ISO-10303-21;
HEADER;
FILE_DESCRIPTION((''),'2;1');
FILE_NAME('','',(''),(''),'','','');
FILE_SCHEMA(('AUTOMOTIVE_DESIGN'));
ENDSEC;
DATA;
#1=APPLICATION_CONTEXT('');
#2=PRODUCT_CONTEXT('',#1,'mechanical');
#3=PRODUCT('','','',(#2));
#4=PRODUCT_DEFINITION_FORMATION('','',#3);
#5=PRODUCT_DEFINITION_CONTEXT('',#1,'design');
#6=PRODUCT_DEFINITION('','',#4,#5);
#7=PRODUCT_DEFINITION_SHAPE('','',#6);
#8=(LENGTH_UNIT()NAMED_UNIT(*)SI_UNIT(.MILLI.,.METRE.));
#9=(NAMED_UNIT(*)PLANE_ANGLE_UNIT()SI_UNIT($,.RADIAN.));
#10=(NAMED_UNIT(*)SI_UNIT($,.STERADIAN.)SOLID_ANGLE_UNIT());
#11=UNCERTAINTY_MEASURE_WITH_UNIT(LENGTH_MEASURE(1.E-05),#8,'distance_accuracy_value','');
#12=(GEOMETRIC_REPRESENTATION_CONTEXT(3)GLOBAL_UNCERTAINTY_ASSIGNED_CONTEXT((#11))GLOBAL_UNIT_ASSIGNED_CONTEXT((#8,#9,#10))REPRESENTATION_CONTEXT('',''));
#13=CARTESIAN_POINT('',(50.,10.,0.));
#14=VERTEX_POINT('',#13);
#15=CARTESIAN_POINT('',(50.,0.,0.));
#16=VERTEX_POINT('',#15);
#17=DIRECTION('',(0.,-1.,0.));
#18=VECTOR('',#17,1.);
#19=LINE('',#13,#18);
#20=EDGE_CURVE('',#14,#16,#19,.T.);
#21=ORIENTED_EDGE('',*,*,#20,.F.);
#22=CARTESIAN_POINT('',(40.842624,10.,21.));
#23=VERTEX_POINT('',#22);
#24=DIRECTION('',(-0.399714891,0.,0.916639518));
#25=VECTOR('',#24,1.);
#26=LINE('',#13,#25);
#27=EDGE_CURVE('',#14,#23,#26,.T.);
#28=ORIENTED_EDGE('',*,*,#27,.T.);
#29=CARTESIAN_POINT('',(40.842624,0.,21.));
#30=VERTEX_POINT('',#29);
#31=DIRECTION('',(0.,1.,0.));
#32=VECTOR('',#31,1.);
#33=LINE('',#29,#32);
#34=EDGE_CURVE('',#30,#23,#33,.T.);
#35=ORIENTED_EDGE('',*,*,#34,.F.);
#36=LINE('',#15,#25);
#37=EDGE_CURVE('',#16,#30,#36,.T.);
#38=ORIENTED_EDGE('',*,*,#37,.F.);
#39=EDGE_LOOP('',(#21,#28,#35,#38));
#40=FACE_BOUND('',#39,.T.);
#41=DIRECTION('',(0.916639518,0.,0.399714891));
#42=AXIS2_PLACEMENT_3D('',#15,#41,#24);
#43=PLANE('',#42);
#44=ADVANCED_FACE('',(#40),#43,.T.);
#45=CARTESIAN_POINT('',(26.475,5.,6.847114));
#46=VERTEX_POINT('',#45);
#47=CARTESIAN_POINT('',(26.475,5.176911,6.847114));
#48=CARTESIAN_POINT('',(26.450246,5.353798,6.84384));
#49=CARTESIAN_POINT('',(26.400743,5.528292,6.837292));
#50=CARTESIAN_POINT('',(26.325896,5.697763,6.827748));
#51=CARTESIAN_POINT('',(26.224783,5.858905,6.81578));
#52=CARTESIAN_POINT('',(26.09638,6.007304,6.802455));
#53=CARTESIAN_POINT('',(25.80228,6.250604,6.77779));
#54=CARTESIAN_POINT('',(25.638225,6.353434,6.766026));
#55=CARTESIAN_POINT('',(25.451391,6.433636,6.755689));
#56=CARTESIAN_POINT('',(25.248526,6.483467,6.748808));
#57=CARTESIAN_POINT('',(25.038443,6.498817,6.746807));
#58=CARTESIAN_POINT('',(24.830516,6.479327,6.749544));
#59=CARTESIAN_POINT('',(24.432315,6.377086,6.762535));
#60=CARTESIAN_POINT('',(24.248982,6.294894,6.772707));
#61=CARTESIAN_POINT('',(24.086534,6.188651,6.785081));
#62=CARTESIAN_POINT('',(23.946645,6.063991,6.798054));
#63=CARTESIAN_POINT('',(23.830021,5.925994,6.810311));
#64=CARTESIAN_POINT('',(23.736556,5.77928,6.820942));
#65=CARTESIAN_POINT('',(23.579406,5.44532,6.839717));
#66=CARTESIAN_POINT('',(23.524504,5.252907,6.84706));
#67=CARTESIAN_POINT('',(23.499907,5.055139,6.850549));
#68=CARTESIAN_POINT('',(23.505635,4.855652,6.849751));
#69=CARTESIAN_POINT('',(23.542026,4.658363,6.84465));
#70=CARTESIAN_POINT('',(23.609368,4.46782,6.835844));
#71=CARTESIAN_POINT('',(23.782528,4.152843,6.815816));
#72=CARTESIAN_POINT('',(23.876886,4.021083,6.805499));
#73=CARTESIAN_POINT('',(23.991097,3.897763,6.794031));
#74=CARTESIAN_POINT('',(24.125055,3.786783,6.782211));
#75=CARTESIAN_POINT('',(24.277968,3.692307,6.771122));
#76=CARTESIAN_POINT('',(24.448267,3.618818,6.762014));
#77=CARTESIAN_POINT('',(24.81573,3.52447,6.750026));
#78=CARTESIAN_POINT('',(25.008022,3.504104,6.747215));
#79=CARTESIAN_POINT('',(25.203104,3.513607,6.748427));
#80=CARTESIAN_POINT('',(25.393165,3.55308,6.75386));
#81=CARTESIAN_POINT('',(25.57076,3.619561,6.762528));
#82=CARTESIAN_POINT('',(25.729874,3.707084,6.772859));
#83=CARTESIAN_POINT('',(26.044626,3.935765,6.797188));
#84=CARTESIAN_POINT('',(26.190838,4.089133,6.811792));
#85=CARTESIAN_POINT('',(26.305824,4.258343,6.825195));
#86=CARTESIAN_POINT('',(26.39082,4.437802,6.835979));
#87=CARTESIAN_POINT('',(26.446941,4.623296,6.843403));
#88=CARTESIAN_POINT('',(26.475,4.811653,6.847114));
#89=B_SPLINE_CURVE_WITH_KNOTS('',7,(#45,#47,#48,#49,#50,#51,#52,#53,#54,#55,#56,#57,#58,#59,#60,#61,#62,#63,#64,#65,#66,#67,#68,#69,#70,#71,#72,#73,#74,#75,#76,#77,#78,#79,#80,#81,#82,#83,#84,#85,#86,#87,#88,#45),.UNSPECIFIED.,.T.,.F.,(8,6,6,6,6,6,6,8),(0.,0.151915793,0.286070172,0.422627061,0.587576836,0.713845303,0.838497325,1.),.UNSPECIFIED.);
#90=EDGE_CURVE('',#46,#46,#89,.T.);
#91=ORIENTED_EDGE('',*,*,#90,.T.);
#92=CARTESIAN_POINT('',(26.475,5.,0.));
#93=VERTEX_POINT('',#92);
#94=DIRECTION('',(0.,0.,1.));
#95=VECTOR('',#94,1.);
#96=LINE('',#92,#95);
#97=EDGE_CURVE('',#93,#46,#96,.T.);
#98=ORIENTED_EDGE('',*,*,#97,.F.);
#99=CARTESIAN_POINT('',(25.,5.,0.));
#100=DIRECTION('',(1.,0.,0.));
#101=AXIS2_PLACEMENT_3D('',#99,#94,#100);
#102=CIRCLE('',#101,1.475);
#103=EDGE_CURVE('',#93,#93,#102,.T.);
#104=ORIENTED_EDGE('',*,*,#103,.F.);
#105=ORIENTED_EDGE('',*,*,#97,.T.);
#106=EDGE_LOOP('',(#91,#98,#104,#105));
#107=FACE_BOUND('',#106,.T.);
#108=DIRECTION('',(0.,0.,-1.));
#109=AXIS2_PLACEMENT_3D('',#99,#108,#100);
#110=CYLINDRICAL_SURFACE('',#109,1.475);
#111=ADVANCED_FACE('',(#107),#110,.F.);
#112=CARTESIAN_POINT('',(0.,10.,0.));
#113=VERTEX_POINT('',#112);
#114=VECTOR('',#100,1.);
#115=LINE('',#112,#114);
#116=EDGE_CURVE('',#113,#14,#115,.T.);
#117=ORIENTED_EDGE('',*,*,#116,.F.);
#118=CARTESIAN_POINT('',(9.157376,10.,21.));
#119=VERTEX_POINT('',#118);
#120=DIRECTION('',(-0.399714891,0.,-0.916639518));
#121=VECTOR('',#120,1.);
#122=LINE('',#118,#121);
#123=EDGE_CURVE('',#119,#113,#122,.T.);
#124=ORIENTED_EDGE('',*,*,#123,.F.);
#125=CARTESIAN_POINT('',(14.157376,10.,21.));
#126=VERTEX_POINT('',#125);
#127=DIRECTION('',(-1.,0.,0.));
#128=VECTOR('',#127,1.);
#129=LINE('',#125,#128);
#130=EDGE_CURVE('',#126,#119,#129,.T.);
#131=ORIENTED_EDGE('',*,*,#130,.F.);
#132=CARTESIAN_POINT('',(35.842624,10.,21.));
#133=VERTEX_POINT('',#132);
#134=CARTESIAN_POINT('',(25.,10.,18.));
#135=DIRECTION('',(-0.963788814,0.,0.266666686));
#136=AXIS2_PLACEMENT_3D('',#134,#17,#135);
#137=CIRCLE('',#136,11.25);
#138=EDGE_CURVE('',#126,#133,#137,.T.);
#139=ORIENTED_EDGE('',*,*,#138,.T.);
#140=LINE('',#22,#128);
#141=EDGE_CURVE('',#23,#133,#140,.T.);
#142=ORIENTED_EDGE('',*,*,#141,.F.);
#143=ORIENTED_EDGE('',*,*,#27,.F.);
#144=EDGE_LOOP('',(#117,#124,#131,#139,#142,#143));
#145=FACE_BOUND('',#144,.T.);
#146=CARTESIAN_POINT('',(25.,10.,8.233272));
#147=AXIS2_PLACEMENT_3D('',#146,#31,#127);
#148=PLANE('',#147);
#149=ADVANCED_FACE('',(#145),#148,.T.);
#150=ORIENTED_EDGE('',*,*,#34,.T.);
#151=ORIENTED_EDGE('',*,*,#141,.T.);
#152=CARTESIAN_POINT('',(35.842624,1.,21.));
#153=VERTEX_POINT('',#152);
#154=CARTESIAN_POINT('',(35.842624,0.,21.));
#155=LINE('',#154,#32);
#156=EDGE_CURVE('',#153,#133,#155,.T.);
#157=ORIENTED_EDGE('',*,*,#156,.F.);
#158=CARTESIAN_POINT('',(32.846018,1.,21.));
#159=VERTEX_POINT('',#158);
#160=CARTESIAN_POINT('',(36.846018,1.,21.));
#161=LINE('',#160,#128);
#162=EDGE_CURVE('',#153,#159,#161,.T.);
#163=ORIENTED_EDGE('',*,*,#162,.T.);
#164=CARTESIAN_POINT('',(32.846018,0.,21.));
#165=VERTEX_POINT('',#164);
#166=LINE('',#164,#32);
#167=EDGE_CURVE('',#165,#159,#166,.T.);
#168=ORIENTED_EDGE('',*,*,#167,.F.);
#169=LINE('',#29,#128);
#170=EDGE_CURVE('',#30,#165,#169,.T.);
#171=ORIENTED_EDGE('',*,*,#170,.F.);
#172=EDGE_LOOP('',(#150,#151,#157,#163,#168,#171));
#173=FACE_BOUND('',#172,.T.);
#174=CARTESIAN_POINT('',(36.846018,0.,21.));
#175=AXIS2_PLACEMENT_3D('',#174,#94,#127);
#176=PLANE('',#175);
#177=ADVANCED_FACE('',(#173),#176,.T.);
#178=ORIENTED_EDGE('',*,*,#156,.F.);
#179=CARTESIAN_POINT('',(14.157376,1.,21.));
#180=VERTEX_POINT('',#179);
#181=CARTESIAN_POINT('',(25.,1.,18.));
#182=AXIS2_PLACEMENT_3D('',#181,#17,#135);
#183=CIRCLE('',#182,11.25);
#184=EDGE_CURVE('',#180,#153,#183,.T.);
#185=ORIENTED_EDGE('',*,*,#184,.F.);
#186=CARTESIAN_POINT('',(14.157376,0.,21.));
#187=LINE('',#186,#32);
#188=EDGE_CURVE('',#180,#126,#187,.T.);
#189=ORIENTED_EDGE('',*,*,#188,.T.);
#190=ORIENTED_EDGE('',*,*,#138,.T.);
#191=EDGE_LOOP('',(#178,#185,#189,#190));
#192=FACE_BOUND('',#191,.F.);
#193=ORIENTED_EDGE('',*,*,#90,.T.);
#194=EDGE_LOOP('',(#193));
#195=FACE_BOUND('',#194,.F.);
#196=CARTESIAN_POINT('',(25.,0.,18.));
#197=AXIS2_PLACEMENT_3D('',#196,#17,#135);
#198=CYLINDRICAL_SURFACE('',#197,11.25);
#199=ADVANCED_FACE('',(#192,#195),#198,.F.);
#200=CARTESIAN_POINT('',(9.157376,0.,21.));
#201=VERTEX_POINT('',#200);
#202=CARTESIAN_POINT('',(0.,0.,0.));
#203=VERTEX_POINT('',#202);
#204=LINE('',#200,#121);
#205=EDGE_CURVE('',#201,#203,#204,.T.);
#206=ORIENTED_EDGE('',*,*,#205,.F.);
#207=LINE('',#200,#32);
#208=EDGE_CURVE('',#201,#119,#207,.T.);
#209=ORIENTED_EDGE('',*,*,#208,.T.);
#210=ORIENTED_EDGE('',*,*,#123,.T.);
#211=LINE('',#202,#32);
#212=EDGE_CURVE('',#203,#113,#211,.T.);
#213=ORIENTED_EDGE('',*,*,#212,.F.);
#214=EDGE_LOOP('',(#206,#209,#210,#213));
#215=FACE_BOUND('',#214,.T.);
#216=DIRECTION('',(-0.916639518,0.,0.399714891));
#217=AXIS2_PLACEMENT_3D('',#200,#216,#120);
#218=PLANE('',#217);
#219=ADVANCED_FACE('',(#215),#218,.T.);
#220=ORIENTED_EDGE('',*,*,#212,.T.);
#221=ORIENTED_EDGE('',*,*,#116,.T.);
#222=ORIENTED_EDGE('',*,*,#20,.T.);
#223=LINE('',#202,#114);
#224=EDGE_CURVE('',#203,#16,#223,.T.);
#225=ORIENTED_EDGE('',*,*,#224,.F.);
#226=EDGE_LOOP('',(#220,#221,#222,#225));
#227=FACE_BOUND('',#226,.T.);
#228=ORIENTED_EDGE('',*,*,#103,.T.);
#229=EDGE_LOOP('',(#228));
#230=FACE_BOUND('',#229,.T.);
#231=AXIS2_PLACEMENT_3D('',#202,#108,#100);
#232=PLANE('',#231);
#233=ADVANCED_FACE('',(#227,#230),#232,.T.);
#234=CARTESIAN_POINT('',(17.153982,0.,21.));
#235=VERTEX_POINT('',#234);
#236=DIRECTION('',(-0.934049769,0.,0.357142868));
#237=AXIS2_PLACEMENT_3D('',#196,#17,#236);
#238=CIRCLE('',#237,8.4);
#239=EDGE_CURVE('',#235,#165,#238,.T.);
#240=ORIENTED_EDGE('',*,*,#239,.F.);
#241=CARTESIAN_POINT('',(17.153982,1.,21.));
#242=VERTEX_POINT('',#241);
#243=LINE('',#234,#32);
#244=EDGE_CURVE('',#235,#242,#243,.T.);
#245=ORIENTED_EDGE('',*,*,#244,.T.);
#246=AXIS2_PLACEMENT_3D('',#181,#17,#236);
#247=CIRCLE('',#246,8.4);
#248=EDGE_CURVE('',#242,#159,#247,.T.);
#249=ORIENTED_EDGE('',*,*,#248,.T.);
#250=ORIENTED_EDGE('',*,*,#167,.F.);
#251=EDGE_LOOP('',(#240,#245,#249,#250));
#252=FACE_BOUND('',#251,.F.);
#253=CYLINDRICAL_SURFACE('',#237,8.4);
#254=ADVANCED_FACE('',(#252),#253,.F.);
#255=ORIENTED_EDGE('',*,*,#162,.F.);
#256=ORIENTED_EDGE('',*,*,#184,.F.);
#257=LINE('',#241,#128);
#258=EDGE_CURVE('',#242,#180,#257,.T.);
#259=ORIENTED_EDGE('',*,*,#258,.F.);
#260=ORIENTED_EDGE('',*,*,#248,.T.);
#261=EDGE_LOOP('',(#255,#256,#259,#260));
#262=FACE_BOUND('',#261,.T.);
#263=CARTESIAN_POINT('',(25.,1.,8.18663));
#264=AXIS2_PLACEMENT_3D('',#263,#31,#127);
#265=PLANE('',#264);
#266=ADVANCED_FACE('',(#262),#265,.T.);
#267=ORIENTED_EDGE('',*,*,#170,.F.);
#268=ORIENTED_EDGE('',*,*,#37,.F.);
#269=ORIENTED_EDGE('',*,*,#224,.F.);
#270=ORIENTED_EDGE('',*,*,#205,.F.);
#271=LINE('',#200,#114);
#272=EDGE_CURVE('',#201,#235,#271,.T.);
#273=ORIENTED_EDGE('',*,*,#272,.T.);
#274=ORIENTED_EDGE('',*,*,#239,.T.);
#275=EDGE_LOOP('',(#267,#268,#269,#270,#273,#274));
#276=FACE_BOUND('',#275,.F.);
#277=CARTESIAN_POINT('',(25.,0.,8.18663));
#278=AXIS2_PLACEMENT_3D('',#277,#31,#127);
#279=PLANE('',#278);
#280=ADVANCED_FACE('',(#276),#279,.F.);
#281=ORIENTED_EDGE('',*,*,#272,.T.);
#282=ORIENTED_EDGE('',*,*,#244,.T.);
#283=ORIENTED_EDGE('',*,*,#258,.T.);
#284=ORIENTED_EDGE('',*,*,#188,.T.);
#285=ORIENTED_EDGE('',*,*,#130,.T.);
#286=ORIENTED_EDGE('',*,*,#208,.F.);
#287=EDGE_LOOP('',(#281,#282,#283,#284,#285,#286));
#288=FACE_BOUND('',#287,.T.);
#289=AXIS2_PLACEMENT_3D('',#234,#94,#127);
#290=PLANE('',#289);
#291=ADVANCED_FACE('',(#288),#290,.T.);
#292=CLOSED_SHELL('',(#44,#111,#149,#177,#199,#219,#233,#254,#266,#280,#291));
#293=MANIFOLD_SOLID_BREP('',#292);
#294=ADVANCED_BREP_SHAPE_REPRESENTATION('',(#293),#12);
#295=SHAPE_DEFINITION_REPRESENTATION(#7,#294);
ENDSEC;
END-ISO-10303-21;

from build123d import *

# Parameters (mm, degrees)
PAD001_DEPTH = 1
PAD012_DEPTH = 10
SKETCH012_R  = 1.475
POCKET_DEPTH = 50


with BuildPart() as part:
    # Sketch001 → Pad001 (new body)
    with BuildSketch(Plane.XZ):
        with BuildLine():
            ThreePointArc((17.153982, 21), (25, 9.6), (32.846018, 21))
            Line((36.846018, 21), (32.846018, 21))
            Line((50, 0), (36.846018, 21))
            Line((0, 0), (50, 0))
            Line((13.153982, 21), (0, 0))
            Line((17.153982, 21), (13.153982, 21))
        make_face()
    extrude(amount=-PAD001_DEPTH)

    # Sketch011 → Pad012 (join)
    with BuildSketch(Plane.XZ):
        with BuildLine():
            ThreePointArc((14.157376, 21), (25, 6.75), (35.842624, 21))
            Line((40.842624, 21), (35.842624, 21))
            Line((50, 0), (40.842624, 21))
            Line((0, 0), (50, 0))
            Line((9.157376, 21), (0, 0))
            Line((14.157376, 21), (9.157376, 21))
        make_face()
    extrude(amount=-PAD012_DEPTH)

    # Sketch012 → Pocket (cut)
    with BuildSketch(Plane.XY):
        with Locations((25, 5)):
            Circle(SKETCH012_R)
    extrude(amount=POCKET_DEPTH, mode=Mode.SUBTRACT)


solid = part.part
